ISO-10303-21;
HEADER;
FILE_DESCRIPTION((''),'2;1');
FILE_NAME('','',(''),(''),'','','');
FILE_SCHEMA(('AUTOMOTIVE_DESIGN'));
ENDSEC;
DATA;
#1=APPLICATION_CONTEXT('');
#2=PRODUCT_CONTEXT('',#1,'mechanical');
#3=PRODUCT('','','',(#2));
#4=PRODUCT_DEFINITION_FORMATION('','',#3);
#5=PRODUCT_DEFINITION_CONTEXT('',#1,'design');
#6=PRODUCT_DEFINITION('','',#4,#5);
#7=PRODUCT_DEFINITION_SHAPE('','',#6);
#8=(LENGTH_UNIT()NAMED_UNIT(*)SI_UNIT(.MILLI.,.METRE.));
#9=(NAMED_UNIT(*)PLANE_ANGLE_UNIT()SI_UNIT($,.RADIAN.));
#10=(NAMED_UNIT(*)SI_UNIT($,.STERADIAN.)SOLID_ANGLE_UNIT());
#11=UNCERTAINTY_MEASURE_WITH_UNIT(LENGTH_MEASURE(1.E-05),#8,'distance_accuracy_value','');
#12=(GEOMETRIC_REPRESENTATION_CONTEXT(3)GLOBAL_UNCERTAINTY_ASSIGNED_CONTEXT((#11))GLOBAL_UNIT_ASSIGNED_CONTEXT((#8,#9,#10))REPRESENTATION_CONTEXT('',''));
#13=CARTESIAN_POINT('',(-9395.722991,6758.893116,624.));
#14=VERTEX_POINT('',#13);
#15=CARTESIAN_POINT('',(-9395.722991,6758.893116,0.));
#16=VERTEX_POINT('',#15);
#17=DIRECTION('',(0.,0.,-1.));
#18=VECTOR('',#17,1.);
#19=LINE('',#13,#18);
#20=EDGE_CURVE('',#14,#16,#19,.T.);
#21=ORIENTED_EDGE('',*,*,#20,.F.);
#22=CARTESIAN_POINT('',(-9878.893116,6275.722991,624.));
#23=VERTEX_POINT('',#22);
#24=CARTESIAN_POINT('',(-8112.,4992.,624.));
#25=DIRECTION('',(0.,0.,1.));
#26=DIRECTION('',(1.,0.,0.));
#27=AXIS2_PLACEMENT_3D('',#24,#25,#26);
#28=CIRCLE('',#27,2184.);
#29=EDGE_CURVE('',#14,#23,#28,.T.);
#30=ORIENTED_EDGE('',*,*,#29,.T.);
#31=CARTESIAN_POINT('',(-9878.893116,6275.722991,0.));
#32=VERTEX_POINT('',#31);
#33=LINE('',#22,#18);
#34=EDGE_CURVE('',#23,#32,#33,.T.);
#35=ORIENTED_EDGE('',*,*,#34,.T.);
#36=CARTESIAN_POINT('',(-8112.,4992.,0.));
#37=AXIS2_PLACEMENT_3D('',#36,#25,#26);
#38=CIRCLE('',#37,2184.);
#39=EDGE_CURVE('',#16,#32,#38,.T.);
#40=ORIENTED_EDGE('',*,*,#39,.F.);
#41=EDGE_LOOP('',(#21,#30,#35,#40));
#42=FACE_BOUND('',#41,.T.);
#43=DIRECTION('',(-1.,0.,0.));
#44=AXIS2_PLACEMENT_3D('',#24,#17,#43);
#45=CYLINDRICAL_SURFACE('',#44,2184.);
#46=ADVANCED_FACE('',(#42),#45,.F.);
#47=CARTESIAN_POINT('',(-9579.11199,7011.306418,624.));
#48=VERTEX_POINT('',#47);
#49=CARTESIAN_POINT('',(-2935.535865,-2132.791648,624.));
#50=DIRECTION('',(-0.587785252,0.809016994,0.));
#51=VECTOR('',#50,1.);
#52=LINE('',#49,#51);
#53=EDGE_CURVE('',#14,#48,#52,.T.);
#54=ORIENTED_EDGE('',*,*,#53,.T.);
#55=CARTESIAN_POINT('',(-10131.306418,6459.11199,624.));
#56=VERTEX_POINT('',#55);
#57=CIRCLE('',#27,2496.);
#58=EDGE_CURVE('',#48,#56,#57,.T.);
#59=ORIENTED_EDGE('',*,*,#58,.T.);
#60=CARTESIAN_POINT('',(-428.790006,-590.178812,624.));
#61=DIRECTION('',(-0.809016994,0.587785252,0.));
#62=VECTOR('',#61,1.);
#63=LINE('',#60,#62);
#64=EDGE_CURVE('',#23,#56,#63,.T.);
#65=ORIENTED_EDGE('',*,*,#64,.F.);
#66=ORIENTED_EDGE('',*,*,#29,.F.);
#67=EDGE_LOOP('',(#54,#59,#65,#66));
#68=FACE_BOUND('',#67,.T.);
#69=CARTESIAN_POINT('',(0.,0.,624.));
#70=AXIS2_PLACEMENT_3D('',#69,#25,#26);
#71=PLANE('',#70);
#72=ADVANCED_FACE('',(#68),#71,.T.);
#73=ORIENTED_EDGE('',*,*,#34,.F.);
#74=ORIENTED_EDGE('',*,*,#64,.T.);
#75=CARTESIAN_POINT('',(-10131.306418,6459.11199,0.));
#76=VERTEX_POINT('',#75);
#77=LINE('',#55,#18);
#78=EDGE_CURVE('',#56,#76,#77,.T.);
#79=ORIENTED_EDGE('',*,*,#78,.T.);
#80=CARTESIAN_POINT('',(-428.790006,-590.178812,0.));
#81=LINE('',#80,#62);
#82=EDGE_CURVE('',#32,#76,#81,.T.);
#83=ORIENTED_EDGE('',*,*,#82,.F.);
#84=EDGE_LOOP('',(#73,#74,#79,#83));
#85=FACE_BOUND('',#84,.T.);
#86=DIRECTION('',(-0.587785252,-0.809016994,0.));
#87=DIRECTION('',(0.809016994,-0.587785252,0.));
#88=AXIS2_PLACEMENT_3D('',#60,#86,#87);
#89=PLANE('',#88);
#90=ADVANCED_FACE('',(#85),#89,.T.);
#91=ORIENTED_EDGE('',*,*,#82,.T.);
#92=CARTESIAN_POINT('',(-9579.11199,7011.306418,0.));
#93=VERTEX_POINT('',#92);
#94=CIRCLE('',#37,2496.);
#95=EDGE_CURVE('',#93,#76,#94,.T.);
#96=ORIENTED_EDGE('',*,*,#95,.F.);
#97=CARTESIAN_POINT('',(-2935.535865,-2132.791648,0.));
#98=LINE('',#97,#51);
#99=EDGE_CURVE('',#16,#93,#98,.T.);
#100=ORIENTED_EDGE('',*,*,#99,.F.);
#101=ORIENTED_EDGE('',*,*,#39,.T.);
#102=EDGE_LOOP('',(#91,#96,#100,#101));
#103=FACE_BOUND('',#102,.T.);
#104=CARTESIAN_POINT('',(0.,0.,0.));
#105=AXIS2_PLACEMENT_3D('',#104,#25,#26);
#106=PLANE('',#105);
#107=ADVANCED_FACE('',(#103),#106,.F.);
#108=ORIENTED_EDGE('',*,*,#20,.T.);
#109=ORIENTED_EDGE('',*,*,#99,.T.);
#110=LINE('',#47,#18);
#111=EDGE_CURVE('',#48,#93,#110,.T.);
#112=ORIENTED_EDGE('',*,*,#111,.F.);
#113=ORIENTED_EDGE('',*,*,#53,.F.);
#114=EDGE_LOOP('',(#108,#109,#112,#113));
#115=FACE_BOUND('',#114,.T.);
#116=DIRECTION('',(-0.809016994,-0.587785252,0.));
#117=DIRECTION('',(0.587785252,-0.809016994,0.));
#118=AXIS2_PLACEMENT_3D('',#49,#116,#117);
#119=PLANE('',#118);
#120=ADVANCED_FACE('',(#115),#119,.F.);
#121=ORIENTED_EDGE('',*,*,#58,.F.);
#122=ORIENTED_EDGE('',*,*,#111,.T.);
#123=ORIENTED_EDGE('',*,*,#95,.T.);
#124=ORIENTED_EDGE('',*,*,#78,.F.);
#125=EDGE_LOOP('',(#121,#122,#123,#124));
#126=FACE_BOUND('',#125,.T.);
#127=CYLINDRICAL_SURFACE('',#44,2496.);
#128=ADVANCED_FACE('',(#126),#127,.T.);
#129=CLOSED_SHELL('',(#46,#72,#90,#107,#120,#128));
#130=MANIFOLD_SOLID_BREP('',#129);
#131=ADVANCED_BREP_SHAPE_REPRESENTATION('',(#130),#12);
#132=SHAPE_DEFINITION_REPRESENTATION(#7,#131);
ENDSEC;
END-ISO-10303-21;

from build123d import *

# Parameters (mm, degrees)
EXTRUDE_1_DEPTH = 480
SCALE_1_SCALE   = 1.3


with BuildPart() as part:
    # 草图1 → 凸台-拉伸1 (new body)
    with BuildSketch(Plane.XY):
        with BuildLine():
            Line((-7793.3126292, 4968.547684402), (-7599.14855055, 4827.479223851))
            ThreePointArc((-7599.14855055, 4827.479223851), (-7427.939392393, 5027.939392393), (-7227.479223851, 5199.14855055))
            Line((-7227.479223851, 5199.14855055), (-7368.547684402, 5393.3126292))
            ThreePointArc((-7368.547684402, 5393.3126292), (-7531.058159836, 5261.115346452), (-7678.198873592, 5112))
            ThreePointArc((-7678.198873592, 5112), (-7737.474510483, 5041.653065761), (-7793.3126292, 4968.547684402))
        make_face()
    extrude(amount=EXTRUDE_1_DEPTH)


with BuildPart() as part_1:
    # 缩放比例1: scaled about (0, 0, 0)
    add(part.part.scale(SCALE_1_SCALE))


solid = part_1.part
